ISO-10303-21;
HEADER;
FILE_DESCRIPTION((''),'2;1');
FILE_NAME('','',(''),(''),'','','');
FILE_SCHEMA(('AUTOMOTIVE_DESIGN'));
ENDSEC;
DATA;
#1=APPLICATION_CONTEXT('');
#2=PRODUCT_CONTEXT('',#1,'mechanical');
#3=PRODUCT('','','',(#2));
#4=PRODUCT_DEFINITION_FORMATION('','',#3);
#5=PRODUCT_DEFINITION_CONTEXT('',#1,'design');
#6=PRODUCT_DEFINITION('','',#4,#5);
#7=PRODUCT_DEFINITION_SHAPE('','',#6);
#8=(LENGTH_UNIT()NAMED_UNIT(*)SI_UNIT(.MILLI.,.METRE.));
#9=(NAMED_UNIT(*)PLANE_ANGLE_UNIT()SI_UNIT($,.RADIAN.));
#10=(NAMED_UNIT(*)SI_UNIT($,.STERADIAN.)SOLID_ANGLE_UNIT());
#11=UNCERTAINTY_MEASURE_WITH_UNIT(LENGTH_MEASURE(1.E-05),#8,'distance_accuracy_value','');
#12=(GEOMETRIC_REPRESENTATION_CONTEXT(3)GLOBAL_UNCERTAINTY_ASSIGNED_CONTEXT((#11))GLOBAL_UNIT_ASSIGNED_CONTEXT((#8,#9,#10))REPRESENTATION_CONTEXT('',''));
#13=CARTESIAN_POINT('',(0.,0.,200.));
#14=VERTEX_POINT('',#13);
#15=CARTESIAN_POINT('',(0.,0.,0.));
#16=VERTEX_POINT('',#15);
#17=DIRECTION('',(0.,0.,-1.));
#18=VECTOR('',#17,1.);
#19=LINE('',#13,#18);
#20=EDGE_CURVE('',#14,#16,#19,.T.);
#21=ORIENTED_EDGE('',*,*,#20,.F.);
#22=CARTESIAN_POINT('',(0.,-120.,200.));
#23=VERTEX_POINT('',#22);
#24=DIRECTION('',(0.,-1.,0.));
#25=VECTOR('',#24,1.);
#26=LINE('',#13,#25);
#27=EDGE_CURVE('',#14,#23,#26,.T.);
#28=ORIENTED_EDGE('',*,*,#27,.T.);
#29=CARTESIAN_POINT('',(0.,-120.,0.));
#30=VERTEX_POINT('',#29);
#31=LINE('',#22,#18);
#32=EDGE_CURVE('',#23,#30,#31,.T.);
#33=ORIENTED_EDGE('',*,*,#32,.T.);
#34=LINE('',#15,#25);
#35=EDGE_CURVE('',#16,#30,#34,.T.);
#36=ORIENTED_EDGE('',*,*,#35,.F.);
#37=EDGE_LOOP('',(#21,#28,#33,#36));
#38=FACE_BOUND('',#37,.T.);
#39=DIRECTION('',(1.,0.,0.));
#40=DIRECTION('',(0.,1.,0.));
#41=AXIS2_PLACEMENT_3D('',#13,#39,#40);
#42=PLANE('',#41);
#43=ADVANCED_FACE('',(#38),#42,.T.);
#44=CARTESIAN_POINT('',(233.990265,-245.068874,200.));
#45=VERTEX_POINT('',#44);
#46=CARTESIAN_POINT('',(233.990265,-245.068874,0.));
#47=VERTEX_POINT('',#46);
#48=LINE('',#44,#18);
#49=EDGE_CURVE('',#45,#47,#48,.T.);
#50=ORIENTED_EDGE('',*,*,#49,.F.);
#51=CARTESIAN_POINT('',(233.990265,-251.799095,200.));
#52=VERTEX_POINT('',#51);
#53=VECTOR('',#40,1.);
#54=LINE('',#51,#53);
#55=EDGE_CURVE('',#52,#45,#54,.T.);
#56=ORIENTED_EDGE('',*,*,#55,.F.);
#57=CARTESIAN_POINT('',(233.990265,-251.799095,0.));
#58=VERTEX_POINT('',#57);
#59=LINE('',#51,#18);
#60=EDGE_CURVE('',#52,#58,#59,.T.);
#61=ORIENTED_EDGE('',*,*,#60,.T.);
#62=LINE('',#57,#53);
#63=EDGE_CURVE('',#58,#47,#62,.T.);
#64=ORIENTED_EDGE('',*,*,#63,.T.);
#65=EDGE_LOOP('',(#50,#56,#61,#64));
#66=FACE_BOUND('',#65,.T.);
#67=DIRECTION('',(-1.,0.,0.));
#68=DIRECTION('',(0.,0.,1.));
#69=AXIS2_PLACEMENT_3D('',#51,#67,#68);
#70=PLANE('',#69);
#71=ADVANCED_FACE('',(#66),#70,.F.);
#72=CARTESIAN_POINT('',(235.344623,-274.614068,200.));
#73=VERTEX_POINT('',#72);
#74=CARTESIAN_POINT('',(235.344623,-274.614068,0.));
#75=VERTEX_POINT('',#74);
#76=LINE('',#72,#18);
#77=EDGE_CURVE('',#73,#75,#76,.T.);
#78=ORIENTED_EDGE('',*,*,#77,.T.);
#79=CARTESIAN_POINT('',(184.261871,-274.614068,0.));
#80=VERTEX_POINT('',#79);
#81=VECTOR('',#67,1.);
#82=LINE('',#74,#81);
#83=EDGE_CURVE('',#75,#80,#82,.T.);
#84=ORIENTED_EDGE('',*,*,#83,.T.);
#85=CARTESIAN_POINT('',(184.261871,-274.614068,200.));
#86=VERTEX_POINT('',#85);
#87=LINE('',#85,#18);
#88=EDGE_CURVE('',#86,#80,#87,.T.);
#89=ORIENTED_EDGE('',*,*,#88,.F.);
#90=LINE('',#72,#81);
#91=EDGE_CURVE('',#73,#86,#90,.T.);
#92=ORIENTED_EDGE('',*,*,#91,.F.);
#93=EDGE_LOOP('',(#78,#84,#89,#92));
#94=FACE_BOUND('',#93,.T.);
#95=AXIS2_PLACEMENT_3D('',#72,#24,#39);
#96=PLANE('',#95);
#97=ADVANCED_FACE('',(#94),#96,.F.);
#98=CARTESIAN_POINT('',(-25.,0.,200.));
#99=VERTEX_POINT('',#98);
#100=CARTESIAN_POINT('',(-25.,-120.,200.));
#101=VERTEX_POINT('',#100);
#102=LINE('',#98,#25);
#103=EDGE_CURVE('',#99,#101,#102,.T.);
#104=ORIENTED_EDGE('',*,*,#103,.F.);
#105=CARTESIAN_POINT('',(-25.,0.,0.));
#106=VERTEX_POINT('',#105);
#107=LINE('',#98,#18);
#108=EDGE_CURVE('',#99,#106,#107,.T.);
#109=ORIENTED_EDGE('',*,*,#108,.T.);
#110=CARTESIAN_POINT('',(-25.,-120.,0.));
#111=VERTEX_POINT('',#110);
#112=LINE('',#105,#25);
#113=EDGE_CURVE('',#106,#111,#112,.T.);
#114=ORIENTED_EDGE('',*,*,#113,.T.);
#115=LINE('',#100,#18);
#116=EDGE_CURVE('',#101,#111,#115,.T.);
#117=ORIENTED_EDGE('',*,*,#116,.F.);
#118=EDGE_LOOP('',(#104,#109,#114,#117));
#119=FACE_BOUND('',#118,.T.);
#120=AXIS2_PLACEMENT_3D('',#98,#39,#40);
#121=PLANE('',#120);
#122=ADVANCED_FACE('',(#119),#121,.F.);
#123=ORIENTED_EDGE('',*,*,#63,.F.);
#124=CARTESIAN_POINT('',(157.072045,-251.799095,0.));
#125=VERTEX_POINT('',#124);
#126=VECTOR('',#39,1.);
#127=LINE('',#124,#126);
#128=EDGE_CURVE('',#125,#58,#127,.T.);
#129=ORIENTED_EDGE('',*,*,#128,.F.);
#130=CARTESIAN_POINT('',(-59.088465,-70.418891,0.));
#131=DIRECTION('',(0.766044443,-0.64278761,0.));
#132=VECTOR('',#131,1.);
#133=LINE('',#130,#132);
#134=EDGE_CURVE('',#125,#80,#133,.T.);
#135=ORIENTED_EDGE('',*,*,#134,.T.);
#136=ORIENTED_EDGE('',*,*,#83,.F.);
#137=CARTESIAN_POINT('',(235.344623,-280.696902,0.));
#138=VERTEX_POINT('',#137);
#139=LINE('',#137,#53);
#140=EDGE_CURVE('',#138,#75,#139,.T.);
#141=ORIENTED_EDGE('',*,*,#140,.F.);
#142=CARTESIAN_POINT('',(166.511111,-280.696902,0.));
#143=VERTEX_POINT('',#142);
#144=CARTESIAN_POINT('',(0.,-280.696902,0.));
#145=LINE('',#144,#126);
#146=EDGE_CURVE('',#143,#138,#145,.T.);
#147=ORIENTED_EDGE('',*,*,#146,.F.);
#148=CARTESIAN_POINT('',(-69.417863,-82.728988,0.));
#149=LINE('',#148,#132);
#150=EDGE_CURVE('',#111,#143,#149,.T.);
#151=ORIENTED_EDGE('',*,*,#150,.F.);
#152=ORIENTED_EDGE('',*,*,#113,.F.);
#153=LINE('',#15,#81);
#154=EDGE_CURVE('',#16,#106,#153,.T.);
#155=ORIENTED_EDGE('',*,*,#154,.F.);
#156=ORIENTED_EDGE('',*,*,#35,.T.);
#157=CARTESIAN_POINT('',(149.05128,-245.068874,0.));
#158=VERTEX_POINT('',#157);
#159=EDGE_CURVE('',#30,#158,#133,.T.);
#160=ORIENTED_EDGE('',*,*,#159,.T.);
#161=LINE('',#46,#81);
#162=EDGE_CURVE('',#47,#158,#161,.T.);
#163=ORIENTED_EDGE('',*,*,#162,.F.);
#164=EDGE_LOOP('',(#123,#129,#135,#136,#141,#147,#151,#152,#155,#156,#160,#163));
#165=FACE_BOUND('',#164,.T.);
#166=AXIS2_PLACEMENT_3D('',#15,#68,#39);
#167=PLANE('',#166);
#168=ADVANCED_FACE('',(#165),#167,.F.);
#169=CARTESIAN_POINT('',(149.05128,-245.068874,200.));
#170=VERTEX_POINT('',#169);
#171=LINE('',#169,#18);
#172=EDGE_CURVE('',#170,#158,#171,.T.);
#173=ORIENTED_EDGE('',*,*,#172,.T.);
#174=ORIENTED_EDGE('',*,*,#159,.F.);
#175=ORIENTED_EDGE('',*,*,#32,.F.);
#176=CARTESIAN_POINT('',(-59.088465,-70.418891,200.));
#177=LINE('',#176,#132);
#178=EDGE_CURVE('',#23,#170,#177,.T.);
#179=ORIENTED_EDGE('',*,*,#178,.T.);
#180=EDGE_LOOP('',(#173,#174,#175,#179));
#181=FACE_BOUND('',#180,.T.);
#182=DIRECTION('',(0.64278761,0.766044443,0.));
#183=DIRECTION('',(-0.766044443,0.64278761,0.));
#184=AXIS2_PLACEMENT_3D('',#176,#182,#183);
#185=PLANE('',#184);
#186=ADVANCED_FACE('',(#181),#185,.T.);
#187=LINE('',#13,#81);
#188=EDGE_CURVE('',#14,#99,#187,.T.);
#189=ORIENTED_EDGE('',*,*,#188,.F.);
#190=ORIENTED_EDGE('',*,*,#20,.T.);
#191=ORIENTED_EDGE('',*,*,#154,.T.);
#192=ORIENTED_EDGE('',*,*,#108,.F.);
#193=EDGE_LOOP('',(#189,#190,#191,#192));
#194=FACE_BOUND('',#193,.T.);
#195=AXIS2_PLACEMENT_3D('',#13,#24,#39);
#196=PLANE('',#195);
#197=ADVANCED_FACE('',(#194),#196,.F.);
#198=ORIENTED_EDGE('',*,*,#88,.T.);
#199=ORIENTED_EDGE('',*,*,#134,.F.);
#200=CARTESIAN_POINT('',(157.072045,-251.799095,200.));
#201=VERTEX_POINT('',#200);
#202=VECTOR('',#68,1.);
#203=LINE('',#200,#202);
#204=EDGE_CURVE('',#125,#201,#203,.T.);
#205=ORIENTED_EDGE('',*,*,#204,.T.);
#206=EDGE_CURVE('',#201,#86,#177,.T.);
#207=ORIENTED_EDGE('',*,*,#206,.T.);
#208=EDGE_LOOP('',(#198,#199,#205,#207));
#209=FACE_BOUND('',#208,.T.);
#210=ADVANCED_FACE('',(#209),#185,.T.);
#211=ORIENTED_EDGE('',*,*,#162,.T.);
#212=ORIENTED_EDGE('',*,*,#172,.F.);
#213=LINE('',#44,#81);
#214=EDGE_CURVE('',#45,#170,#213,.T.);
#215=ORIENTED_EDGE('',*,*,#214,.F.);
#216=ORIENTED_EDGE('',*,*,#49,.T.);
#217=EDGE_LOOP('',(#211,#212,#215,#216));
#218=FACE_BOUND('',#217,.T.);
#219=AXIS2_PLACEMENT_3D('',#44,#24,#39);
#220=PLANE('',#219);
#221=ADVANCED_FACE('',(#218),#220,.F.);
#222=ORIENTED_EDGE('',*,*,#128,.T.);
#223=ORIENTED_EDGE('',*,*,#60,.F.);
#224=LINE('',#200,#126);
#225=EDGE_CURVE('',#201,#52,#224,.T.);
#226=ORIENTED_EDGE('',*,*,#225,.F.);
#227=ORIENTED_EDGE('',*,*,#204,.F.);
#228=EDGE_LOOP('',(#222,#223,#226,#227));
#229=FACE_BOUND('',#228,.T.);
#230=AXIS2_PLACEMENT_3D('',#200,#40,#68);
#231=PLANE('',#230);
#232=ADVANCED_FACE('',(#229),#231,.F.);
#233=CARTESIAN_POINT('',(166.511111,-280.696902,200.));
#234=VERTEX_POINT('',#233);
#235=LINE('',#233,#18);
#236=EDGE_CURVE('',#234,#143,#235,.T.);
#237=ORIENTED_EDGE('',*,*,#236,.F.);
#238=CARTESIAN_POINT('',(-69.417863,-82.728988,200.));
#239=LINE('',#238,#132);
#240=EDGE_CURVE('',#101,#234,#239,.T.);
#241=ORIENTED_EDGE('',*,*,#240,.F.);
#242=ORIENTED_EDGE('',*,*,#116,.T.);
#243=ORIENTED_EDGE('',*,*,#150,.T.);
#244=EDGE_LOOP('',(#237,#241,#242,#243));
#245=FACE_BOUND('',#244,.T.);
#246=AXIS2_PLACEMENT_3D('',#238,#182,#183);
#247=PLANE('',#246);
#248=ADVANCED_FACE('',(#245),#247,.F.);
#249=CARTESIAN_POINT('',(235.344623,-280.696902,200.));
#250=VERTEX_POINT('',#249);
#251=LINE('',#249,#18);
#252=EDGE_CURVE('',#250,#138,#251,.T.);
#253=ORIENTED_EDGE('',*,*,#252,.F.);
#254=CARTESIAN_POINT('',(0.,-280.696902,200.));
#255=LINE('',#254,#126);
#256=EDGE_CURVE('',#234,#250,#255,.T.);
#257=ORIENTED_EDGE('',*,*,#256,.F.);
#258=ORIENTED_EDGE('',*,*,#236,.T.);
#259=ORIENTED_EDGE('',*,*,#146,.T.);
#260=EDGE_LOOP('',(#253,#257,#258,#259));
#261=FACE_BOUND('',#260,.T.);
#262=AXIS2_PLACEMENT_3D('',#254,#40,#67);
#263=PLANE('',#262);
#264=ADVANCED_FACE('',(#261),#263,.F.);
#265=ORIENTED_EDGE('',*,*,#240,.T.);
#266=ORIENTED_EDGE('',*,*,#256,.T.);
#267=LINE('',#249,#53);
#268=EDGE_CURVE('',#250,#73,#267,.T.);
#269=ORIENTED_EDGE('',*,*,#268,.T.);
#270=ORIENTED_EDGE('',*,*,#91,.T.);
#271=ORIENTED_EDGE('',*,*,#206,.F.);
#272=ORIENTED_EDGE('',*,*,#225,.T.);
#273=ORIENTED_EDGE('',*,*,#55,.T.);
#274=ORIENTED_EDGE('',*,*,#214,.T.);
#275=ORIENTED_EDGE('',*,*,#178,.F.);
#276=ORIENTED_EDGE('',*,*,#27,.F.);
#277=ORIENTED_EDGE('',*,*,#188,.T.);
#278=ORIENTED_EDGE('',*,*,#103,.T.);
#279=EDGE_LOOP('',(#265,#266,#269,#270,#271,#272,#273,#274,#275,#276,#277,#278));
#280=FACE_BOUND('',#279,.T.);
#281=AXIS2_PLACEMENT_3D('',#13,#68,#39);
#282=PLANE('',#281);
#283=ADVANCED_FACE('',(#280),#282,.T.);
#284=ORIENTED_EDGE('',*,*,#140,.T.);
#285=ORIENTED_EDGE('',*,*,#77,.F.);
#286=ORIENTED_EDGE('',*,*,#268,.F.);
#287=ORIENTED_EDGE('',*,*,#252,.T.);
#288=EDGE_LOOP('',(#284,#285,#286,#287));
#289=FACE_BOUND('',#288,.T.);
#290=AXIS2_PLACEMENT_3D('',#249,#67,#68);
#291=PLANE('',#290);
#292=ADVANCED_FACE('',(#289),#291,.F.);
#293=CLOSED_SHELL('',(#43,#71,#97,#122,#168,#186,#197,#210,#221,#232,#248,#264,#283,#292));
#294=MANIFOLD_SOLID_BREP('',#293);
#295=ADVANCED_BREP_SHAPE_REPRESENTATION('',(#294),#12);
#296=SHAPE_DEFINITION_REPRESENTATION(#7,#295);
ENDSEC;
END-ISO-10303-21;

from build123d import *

# Parameters (mm, degrees)
SKETCH1_W           = 25
SKETCH1_H           = 120
BOSS_EXTRUDE4_DEPTH = 200


with BuildPart() as part:
    # Sketch1 → Boss-Extrude4 (new body)
    with BuildSketch(Plane.XY):
        with Locations((-12.5, -60)):
            Rectangle(SKETCH1_W, SKETCH1_H)
        Polygon((-25, -120), (0, -120), (191.51111078, -280.696902422), (166.51111078, -280.696902422), align=None)
        Polygon((233.990264512, -245.068874008), (149.051279921, -245.068874008), (157.072044946, -251.799094983), (233.990264512, -251.799094983), align=None)
        Polygon((191.51111078, -280.696902422), (235.34462255, -280.696902422), (235.34462255, -274.614068302), (184.261871365, -274.614068302), align=None)
    extrude(amount=BOSS_EXTRUDE4_DEPTH)


solid = part.part
